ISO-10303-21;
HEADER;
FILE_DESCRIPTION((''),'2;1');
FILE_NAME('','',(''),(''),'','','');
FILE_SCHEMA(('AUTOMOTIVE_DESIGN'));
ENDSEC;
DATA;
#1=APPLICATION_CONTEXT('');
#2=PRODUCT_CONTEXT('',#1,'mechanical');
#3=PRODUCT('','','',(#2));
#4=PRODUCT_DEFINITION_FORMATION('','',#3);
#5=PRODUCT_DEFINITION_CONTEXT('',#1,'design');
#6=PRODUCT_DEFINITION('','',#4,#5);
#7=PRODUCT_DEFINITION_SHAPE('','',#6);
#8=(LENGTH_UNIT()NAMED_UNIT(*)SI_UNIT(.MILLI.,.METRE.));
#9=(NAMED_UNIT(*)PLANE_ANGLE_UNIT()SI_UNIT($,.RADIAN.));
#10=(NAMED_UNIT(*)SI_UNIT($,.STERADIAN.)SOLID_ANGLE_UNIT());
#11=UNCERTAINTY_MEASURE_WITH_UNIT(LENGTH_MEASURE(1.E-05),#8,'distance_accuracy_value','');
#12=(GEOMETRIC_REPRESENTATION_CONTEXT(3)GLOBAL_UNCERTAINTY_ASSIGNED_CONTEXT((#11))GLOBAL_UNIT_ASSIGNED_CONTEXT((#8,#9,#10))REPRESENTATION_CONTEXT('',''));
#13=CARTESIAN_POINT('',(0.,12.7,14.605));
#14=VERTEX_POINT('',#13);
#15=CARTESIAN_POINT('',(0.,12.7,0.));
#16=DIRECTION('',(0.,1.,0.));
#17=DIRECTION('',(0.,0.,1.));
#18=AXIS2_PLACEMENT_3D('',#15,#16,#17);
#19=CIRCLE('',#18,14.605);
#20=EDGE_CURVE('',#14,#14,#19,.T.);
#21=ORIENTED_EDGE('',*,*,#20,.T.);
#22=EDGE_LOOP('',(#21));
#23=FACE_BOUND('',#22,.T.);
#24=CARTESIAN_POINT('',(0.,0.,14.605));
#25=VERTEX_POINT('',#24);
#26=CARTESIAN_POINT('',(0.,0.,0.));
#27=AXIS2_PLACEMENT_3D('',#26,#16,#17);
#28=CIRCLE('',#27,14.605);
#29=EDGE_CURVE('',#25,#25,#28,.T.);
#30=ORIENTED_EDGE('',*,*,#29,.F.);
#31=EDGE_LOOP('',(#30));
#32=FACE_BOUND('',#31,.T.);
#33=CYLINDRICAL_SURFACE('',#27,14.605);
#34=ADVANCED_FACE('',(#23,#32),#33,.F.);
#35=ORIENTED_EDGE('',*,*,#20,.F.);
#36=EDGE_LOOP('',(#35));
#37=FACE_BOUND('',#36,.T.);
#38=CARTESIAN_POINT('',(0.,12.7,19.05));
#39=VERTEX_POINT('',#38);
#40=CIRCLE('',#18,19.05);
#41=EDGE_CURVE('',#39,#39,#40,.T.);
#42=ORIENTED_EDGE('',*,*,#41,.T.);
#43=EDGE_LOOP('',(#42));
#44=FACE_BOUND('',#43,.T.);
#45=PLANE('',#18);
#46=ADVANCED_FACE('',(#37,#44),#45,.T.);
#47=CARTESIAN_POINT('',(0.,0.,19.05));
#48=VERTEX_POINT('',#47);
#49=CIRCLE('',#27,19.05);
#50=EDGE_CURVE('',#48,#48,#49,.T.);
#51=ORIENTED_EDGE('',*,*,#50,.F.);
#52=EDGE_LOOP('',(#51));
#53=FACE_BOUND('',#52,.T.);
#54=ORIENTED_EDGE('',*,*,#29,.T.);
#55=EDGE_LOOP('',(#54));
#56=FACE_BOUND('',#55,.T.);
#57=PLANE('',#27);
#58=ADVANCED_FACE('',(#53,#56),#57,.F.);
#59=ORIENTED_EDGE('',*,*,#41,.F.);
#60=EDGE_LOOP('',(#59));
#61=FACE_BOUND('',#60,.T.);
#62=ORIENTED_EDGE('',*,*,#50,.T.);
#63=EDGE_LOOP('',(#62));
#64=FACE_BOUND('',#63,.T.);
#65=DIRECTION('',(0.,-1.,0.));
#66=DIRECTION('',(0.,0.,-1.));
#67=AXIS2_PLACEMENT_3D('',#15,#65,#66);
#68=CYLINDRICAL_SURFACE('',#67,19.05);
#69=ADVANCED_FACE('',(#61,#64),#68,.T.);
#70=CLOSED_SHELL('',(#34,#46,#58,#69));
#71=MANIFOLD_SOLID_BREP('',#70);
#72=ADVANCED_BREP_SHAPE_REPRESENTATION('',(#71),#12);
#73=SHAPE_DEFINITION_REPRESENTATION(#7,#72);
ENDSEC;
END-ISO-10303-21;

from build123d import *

# Parameters (mm, degrees)
SKETCH1_R           = 19.05
BOSS_EXTRUDE1_DEPTH = 12.7
SKETCH4_R           = 14.605
CUT_EXTRUDE1_DEPTH  = 30.784140075


with BuildPart() as part:
    # Sketch1 → Boss-Extrude1 (new body)
    with BuildSketch(Plane(origin=(0, 0, 0), x_dir=(1, 0, 0), z_dir=(0, 1, 0))):
        with Locations(Location((0, 0, 0), (0, 0, 270))):
            Circle(SKETCH1_R)
    extrude(amount=BOSS_EXTRUDE1_DEPTH)

    # Sketch4 → Cut-Extrude1 (cut, through all)
    with BuildSketch(Plane(origin=(0, 12.7, 0), x_dir=(1, 0, 0), z_dir=(0, 1, 0))):
        with Locations(Location((0, 0, 0), (0, 0, 270))):
            Circle(SKETCH4_R)
    extrude(amount=-CUT_EXTRUDE1_DEPTH, mode=Mode.SUBTRACT)


solid = part.part
